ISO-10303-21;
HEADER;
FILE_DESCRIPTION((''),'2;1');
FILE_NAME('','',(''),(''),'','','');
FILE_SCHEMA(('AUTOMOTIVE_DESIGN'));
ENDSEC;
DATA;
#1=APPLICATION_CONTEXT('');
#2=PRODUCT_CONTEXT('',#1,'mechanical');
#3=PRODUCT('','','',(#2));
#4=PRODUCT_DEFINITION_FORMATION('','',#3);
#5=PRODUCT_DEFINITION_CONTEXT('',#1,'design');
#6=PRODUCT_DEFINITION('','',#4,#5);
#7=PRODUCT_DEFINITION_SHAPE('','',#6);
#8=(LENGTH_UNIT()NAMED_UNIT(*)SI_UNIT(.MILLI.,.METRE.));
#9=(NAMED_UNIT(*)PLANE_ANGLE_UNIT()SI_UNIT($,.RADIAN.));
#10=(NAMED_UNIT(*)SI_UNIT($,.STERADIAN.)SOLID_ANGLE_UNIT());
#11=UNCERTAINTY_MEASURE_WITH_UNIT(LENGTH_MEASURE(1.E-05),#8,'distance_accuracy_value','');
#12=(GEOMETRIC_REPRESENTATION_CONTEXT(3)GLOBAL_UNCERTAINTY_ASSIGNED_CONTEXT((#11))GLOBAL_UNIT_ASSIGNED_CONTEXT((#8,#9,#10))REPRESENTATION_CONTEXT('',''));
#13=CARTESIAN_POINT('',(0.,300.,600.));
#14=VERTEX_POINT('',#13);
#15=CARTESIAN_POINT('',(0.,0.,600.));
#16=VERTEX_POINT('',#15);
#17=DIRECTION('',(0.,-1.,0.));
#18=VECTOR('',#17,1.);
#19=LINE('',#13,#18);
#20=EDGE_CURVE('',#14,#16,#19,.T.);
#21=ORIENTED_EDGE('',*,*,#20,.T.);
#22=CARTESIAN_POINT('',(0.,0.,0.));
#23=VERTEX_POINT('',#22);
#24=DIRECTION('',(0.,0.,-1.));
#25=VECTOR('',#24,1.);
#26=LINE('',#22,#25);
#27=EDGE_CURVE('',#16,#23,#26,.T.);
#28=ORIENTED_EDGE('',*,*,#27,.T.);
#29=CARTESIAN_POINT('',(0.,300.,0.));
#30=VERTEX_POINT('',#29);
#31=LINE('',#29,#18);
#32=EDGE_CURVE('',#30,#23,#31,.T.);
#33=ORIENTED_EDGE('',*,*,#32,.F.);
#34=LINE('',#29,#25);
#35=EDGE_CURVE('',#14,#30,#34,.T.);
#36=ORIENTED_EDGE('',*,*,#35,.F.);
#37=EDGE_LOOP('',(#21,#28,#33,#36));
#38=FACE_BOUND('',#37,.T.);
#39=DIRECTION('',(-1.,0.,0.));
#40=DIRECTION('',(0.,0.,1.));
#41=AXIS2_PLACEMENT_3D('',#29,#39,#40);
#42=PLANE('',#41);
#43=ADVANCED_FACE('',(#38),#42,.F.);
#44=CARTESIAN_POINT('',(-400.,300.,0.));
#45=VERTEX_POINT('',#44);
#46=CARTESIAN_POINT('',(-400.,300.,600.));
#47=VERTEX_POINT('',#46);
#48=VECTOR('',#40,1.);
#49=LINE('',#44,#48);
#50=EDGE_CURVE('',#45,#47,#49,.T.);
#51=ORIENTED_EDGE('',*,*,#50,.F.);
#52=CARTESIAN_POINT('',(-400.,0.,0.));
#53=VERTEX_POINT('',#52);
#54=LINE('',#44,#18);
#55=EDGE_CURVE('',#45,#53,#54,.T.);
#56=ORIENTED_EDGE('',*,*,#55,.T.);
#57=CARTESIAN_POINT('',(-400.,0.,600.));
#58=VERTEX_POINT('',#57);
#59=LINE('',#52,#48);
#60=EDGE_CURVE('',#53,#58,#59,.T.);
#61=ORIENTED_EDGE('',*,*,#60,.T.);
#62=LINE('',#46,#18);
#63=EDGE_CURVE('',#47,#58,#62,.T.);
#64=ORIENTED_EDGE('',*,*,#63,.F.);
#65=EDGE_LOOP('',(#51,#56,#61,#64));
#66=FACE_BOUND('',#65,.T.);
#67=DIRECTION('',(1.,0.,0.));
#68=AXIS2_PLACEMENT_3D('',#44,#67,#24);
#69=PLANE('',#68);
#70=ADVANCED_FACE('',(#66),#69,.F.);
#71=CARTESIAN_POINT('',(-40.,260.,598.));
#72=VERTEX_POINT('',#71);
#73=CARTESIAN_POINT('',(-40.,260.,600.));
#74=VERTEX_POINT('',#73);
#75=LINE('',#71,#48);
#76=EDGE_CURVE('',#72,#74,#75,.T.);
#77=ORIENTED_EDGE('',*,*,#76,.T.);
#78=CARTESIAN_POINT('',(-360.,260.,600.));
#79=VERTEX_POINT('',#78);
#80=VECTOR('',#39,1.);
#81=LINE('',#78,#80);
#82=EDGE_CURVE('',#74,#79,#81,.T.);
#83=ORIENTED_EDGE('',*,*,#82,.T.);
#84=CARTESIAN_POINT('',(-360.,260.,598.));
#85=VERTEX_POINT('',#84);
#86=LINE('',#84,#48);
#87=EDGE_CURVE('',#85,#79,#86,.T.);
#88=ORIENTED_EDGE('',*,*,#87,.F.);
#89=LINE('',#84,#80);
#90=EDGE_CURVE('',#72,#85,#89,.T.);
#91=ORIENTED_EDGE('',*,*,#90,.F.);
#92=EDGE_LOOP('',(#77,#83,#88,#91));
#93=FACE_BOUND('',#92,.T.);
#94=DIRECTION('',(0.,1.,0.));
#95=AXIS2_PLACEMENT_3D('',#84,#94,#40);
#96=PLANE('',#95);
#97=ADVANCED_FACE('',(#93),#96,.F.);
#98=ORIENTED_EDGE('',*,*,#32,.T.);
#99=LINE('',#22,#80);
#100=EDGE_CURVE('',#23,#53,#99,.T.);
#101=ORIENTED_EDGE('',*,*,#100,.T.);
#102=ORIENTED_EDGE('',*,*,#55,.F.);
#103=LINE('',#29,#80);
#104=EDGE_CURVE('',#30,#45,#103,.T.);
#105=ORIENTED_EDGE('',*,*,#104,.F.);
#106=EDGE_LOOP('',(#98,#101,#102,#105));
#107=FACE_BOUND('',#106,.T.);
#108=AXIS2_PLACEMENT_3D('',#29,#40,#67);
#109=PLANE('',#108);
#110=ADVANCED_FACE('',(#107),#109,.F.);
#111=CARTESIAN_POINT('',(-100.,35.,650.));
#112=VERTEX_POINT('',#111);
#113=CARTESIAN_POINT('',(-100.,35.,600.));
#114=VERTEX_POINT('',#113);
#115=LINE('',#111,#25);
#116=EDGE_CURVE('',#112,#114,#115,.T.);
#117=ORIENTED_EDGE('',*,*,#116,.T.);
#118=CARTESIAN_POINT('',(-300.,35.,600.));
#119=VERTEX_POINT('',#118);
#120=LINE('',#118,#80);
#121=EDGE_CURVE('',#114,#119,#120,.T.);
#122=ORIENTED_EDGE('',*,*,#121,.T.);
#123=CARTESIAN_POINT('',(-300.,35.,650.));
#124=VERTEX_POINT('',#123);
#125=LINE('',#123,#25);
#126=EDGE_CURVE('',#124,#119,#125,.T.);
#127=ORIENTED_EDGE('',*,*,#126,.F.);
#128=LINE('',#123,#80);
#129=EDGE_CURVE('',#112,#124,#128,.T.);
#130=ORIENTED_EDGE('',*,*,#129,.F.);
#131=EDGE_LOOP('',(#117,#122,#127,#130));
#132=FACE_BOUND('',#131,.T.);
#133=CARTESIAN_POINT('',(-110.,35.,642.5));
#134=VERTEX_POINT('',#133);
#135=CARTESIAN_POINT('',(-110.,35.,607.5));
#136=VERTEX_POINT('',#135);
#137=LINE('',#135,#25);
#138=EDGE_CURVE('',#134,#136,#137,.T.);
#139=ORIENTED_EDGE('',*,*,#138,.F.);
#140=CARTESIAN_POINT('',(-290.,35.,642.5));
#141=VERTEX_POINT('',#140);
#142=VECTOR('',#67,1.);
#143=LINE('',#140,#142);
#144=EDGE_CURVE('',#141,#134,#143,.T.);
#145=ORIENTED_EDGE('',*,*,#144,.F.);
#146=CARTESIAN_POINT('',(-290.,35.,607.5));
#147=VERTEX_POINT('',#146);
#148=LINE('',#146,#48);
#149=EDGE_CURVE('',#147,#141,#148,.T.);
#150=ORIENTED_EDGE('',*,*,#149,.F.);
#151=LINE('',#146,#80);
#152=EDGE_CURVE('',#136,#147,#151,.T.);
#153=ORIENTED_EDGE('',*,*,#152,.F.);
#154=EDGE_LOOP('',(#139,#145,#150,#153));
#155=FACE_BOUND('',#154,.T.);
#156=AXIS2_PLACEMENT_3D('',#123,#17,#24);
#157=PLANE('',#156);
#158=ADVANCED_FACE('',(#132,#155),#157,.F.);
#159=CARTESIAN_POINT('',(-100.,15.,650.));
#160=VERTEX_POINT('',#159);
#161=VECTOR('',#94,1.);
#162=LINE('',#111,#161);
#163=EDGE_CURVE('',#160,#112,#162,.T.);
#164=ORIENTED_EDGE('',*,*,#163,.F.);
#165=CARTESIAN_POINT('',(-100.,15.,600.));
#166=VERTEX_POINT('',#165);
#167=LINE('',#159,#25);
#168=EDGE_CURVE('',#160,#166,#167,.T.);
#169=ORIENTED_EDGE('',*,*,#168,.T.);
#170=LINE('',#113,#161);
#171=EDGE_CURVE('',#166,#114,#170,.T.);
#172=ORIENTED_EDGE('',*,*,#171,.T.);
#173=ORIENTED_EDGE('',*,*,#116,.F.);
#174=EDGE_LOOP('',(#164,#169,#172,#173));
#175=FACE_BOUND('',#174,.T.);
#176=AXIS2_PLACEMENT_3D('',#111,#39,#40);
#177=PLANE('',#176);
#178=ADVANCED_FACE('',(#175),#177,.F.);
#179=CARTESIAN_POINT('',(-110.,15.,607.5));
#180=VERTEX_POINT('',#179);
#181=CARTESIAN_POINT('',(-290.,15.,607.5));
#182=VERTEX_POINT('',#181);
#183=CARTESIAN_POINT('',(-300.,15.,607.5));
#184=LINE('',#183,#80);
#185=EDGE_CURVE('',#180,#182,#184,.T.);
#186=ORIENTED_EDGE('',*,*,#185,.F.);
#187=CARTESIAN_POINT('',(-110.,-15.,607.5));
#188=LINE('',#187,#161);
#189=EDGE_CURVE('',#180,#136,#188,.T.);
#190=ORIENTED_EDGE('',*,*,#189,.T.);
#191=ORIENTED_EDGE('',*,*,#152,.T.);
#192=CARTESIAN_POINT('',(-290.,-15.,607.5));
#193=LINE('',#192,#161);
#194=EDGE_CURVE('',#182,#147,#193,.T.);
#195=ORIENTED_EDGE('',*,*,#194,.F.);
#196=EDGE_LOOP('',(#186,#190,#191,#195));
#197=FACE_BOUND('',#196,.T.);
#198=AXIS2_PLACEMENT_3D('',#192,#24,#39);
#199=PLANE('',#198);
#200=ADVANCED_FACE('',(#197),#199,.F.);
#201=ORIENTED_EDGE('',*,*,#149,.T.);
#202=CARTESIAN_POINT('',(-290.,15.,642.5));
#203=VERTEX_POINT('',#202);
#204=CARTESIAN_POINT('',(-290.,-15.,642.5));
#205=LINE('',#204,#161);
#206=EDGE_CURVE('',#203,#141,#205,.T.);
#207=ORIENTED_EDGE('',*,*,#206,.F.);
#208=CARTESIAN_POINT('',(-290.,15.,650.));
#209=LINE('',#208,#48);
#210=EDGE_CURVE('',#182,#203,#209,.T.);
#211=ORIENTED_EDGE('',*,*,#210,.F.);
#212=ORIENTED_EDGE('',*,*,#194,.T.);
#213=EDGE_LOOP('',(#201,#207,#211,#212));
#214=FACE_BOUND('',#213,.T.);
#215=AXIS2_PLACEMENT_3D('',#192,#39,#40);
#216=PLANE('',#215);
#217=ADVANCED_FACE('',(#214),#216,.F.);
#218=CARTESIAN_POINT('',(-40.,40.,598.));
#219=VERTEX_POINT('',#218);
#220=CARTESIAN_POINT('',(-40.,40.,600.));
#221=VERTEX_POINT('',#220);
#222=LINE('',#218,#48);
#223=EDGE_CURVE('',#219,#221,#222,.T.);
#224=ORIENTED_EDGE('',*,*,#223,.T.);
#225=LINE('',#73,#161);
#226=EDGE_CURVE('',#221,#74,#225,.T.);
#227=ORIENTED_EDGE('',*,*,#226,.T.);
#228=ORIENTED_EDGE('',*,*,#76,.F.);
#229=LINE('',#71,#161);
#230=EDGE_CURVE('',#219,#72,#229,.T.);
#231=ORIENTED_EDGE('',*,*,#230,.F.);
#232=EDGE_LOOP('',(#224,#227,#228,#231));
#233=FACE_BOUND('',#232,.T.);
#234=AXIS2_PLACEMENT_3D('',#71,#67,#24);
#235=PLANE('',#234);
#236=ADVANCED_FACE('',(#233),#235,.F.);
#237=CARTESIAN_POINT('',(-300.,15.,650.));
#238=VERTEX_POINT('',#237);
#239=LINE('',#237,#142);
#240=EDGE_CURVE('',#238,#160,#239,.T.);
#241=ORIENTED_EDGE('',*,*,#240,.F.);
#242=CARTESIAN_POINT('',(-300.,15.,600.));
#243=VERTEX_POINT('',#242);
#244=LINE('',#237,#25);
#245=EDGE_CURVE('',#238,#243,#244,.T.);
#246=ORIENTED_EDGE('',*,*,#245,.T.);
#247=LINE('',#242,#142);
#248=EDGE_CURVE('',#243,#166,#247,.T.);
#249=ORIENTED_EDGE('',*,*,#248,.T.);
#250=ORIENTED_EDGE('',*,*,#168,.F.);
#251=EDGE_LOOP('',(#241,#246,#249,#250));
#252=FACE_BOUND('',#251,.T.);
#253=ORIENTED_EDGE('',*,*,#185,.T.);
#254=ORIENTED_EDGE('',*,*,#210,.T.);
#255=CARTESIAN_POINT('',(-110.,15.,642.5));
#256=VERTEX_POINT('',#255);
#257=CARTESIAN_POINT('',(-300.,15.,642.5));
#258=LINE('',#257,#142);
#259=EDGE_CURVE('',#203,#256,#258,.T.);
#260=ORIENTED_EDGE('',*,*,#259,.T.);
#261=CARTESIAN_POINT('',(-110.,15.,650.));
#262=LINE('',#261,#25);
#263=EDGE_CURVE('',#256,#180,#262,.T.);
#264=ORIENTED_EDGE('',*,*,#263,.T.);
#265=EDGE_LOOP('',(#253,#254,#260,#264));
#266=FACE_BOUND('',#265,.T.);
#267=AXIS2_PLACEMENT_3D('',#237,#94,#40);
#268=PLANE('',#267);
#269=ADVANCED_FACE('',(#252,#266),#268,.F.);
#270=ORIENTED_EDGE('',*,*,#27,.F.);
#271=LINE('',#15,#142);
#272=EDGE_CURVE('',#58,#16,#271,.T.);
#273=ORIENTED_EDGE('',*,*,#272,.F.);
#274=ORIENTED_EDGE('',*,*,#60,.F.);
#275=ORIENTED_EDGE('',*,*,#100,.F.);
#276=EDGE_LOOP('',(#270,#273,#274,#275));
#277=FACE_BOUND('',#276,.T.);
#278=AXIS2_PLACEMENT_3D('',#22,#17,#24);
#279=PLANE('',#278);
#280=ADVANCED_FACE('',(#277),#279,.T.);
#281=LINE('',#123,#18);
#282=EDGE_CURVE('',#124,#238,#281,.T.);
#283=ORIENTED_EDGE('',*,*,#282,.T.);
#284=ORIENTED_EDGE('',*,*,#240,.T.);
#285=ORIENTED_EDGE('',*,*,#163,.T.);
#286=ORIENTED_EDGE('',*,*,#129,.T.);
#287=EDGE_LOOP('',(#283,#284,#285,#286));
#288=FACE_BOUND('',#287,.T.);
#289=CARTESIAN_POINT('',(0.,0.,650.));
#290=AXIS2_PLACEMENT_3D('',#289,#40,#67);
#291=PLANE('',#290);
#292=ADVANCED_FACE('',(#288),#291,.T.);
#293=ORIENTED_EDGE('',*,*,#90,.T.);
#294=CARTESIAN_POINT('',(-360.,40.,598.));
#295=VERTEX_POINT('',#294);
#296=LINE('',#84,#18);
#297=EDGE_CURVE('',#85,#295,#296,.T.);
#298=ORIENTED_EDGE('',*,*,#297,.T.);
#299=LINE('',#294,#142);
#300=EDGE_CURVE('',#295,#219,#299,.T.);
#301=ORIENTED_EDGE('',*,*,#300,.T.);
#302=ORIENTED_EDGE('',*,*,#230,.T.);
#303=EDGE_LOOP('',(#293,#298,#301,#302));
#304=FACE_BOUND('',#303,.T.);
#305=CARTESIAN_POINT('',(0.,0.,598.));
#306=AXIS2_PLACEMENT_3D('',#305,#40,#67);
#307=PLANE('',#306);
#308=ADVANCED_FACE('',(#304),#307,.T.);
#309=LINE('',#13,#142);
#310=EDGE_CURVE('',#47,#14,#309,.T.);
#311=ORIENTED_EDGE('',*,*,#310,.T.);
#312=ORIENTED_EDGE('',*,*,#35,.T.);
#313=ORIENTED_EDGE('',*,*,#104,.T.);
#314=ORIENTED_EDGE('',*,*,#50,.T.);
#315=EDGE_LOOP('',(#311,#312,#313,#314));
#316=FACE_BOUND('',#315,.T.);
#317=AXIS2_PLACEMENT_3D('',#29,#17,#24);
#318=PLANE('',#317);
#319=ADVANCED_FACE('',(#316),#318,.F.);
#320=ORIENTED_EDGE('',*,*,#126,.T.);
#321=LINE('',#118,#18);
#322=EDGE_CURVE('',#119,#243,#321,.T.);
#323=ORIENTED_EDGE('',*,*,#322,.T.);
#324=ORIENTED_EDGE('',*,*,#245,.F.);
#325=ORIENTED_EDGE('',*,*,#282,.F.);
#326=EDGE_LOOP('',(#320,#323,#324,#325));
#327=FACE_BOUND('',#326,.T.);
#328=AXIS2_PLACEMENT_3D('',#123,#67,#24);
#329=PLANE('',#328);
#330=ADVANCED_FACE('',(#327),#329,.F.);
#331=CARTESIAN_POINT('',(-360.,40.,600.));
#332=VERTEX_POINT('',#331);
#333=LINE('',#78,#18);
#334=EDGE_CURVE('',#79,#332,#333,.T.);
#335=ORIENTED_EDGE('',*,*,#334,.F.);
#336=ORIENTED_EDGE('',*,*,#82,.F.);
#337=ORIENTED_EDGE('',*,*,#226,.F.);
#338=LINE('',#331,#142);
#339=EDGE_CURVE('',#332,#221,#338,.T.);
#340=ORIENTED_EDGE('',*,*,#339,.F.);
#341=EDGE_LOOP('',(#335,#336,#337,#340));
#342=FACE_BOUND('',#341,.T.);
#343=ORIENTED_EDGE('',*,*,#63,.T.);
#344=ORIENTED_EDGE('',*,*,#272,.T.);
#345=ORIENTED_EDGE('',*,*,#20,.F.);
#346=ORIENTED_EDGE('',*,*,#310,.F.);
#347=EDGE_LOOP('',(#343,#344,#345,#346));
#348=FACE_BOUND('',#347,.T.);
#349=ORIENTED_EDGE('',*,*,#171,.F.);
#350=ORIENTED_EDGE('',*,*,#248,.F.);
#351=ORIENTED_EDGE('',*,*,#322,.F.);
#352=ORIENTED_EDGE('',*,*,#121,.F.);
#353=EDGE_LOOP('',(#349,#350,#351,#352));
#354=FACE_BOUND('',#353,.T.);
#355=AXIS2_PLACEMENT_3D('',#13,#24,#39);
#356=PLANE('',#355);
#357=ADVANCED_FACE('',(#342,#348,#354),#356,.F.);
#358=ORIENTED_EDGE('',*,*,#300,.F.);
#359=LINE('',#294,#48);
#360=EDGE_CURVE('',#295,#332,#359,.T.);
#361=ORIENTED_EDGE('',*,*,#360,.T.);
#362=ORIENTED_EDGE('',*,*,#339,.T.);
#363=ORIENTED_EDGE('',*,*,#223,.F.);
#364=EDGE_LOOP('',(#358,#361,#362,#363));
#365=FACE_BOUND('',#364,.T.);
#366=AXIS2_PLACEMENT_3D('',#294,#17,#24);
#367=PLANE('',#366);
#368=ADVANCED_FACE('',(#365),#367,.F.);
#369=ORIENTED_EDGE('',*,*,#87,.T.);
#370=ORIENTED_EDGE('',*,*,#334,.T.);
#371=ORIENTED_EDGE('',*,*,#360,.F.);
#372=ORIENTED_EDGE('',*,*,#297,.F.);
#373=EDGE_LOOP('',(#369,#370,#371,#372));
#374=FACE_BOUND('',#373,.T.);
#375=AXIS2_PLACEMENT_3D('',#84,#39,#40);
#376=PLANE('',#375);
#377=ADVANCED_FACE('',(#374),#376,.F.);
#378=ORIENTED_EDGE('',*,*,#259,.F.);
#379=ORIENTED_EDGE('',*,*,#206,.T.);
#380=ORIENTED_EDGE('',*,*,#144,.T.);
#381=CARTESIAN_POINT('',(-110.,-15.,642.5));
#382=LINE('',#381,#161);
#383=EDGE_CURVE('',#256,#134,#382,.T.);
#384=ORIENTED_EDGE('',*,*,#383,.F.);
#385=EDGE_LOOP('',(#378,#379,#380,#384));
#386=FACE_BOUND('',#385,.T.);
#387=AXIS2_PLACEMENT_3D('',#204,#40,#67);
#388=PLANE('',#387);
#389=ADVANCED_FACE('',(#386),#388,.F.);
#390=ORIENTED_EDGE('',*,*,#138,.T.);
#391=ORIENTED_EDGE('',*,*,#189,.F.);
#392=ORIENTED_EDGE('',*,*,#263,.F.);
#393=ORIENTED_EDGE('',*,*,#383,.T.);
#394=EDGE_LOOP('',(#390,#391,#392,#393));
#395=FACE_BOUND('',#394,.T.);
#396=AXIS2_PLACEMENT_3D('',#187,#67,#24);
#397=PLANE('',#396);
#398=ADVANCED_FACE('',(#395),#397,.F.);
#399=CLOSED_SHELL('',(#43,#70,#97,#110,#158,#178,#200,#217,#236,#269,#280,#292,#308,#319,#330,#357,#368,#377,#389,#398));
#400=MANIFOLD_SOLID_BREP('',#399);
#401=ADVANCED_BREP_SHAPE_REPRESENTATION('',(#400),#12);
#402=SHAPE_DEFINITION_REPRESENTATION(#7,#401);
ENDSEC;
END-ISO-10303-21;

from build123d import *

# Parameters (mm, degrees)
SKETCH_1_W          = 400
SKETCH_1_H          = 600
EXTRUDE_1_DEPTH     = 300
SKETCH_2_W          = 200
SKETCH_2_H          = 20
EXTRUDE_2_DEPTH     = 50
SKETCH_3_W          = 180
SKETCH_3_H          = 35
CUT_EXTRUDE_1_DEPTH = 50
SKETCH_4_W          = 320
SKETCH_4_H          = 220
CUT_EXTRUDE_2_DEPTH = 2


with BuildPart() as part:
    # Эскиз1 → Бобышка-Вытянуть1 (new body)
    with BuildSketch(Plane(origin=(0, 0, 0), x_dir=(1, 0, 0), z_dir=(0, 1, 0))):
        with Locations((-200, -300)):
            Rectangle(SKETCH_1_W, SKETCH_1_H)
    extrude(amount=EXTRUDE_1_DEPTH)

    # Эскиз2 → Бобышка-Вытянуть2 (add)
    with BuildSketch(Plane.XY.offset(600)):
        with Locations((-200, 25)):
            Rectangle(SKETCH_2_W, SKETCH_2_H)
    extrude(amount=EXTRUDE_2_DEPTH)

    # Эскиз3 → Вырез-Вытянуть1 (cut)
    with BuildSketch(Plane(origin=(0, 35, 0), x_dir=(1, 0, 0), z_dir=(0, 1, 0))):
        with Locations((-200, -625)):
            Rectangle(SKETCH_3_W, SKETCH_3_H)
    extrude(amount=-CUT_EXTRUDE_1_DEPTH, mode=Mode.SUBTRACT)

    # Эскиз4 → Вырез-Вытянуть2 (cut)
    with BuildSketch(Plane.XY.offset(600)):
        with Locations((-200, 150)):
            Rectangle(SKETCH_4_W, SKETCH_4_H)
    extrude(amount=-CUT_EXTRUDE_2_DEPTH, mode=Mode.SUBTRACT)


solid = part.part
